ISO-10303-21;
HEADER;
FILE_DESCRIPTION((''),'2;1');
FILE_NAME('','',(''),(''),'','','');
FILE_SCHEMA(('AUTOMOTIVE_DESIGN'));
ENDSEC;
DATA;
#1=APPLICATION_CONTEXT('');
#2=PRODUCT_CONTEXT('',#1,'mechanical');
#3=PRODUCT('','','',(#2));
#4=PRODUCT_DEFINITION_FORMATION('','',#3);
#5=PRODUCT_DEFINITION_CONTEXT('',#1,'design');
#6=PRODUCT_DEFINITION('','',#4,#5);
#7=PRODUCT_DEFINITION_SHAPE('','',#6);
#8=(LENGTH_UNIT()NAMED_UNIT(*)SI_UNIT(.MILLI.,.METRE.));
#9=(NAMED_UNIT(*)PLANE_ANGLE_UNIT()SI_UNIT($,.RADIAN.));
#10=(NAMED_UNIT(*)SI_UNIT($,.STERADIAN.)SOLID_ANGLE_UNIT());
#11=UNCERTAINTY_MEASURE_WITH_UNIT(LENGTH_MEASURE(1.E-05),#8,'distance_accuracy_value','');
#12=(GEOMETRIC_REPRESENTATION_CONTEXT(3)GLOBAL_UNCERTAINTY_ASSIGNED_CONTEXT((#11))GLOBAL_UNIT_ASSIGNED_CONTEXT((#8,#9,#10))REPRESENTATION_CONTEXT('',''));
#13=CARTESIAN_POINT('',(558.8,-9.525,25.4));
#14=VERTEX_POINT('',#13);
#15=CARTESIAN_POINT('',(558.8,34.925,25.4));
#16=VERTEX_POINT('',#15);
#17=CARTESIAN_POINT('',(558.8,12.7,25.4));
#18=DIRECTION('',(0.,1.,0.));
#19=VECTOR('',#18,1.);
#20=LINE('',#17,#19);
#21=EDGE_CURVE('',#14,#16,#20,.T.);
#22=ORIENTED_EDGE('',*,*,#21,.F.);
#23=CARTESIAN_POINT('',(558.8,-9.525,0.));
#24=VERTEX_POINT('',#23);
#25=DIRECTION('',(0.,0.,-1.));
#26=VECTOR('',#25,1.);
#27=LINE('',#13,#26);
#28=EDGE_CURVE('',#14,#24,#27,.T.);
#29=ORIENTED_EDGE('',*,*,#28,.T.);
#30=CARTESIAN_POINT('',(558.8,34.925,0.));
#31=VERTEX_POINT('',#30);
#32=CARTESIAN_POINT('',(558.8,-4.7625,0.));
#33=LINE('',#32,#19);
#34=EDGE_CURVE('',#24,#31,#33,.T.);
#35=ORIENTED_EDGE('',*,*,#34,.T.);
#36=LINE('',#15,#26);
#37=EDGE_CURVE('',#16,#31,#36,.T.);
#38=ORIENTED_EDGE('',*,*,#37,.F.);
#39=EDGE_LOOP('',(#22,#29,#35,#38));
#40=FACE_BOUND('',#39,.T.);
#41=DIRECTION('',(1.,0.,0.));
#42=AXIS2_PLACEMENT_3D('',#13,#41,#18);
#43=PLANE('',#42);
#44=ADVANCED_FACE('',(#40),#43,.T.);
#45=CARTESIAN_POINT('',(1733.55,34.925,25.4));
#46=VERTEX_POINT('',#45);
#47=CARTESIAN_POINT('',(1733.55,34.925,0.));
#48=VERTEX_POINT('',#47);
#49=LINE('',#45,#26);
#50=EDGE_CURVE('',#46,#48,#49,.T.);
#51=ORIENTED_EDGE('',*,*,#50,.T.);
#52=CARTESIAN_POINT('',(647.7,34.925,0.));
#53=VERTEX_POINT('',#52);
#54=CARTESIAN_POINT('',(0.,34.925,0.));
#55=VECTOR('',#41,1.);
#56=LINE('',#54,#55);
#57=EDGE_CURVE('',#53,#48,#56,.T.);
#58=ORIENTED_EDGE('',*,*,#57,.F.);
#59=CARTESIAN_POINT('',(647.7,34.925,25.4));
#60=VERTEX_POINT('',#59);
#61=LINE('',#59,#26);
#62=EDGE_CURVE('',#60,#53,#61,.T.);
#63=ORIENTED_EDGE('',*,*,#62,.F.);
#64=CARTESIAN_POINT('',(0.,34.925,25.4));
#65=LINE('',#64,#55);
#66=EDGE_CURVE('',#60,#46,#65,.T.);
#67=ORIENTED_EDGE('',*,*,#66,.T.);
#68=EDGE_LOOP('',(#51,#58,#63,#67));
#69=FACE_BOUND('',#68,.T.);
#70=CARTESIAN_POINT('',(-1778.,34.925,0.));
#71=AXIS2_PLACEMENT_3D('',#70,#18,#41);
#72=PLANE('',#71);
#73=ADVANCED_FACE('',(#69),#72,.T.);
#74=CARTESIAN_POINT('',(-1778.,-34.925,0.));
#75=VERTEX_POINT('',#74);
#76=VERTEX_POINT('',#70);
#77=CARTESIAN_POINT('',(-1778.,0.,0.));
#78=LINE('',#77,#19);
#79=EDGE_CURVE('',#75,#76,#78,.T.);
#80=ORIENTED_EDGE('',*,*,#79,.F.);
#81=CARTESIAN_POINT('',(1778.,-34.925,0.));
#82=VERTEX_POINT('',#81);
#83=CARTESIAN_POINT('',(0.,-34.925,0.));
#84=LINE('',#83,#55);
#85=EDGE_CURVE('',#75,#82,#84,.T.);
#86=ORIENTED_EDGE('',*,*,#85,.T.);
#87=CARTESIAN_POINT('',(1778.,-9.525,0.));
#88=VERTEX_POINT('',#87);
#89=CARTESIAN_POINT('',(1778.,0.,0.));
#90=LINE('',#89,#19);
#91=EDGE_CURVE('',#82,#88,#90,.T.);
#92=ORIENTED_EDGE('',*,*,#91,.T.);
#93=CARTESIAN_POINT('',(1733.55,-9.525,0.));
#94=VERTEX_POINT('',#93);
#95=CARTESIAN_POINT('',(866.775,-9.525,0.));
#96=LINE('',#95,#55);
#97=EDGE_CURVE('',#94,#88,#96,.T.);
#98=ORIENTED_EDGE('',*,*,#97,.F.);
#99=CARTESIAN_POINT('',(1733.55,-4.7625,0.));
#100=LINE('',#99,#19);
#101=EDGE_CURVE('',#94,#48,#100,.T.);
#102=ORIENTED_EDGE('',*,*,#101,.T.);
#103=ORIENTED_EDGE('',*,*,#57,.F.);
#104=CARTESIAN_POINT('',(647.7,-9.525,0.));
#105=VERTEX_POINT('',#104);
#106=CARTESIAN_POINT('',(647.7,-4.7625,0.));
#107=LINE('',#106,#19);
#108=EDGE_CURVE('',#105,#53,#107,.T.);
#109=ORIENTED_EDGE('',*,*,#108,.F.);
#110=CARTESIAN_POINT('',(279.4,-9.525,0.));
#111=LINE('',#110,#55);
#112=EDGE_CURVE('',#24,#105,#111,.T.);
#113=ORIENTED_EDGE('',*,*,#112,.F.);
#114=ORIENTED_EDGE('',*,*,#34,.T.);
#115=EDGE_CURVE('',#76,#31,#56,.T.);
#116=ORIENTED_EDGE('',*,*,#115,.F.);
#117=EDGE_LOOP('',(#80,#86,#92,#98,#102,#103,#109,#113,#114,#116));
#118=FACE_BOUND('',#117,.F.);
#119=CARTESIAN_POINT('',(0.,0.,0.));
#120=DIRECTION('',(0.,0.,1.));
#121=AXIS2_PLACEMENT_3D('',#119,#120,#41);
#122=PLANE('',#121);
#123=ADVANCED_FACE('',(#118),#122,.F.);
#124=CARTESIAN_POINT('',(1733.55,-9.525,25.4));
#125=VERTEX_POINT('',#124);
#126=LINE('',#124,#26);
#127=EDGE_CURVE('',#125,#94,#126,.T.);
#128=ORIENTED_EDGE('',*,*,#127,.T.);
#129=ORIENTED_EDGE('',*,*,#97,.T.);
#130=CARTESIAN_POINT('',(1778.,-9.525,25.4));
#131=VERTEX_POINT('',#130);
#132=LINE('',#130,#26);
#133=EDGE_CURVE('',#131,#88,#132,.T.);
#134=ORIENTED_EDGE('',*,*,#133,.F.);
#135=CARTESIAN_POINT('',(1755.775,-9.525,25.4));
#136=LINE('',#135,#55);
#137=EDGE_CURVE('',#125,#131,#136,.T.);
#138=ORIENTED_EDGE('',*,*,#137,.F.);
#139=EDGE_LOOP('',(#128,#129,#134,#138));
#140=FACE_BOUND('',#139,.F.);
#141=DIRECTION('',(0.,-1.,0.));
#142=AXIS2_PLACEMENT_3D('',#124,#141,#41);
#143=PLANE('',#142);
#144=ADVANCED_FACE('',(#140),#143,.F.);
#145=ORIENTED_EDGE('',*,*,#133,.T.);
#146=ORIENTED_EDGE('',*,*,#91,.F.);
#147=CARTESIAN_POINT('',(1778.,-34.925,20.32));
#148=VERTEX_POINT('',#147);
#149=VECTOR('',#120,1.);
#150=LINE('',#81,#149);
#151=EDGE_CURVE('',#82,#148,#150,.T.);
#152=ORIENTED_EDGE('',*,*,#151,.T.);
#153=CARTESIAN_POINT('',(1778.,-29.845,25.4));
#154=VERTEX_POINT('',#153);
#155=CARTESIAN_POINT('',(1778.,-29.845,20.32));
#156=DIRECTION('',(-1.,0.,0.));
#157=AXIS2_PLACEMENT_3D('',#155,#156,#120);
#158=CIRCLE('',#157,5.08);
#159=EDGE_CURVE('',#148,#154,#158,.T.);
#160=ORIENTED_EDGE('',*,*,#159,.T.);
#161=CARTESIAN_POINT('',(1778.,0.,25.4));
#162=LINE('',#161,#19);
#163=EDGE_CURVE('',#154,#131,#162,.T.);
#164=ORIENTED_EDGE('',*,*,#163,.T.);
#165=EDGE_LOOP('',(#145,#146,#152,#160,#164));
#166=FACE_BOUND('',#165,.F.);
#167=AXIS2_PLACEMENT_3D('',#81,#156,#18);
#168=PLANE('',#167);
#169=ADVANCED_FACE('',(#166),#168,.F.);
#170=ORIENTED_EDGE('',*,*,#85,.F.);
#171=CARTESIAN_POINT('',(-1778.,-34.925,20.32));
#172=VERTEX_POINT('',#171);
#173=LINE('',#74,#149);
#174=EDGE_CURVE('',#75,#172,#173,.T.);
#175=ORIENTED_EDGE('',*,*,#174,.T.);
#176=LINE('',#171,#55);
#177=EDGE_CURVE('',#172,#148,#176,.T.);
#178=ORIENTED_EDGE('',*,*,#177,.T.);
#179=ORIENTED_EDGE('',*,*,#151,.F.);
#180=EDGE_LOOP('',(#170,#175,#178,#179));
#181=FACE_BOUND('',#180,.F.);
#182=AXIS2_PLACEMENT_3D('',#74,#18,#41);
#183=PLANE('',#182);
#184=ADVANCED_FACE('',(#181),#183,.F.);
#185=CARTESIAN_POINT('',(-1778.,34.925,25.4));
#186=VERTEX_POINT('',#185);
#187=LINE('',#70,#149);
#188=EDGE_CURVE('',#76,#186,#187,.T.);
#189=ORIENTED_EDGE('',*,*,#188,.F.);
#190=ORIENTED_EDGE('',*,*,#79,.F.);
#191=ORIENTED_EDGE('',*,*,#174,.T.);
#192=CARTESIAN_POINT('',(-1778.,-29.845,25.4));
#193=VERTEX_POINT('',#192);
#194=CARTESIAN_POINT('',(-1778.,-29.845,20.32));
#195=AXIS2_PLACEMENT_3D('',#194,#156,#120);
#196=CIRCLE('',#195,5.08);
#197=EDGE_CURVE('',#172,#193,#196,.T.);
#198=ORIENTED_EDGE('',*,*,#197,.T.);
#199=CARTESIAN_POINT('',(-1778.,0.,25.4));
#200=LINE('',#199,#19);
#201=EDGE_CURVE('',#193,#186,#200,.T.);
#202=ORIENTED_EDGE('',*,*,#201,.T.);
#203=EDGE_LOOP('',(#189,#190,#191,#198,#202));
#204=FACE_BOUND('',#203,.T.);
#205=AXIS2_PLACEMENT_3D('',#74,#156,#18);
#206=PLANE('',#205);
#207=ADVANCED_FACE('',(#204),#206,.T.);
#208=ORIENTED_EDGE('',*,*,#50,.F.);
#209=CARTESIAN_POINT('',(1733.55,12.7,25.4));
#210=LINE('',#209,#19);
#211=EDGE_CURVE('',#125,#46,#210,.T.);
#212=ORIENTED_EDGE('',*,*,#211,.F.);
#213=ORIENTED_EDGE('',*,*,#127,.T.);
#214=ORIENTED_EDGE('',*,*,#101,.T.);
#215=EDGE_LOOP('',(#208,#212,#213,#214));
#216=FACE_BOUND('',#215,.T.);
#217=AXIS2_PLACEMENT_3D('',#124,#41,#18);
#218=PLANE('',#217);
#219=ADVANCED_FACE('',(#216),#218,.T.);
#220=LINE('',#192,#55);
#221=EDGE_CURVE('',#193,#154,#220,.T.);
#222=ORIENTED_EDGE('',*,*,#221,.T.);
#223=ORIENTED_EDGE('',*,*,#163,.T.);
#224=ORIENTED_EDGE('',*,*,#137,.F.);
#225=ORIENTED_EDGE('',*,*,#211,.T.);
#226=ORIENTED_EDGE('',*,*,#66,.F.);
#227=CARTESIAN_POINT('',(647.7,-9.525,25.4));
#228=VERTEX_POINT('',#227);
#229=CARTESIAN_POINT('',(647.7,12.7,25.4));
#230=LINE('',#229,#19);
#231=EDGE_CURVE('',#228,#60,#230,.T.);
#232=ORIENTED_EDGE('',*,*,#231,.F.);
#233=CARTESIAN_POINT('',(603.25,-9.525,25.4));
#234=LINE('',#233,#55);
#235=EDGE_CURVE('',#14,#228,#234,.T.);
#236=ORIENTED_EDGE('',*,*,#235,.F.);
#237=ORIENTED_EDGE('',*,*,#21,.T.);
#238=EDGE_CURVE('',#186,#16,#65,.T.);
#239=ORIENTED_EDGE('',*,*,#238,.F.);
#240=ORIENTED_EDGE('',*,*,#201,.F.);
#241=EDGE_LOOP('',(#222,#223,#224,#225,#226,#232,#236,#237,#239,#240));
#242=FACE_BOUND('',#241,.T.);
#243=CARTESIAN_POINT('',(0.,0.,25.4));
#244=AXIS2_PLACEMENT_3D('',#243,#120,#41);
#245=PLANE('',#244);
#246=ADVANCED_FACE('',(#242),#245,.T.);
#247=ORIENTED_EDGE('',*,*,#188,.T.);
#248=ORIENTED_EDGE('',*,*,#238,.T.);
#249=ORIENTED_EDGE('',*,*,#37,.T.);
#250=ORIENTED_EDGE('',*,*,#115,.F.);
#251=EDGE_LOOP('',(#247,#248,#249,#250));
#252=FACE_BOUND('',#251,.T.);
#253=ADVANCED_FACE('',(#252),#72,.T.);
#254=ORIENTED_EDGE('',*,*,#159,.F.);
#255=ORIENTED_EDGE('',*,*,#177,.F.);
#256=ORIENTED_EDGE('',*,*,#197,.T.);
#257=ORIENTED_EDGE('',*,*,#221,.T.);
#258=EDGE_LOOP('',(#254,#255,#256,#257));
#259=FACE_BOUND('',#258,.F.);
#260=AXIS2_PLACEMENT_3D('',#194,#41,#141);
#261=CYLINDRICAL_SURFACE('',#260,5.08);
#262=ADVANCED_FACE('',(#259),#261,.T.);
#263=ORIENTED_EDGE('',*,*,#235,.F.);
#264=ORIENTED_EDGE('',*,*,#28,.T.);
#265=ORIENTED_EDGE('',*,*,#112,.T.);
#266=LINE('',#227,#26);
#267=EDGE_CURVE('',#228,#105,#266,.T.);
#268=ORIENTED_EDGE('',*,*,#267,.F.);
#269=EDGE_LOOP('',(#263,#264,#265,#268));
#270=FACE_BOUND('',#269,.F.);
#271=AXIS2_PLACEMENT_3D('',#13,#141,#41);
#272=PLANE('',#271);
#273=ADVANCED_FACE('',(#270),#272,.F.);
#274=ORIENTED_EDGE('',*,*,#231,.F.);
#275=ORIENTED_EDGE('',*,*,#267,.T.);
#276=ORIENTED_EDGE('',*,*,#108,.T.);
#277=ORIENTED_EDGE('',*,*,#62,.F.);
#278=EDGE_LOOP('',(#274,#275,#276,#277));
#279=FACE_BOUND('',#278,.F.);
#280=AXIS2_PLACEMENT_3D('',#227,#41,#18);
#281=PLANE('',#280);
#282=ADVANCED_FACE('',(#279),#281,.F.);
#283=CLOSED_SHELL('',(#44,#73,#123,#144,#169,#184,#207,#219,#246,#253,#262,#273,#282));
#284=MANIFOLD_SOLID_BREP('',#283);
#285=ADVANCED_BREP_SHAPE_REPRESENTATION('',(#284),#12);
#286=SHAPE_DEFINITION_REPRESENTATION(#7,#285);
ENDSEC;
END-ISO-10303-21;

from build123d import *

# Parameters (mm, degrees)
F0_W     = 3556
F0_H     = 69.85
F1_DEPTH = 25.4
F2_W     = 44.45
F2_H     = 44.45
F3_DEPTH = 25.401
F4_W     = 88.9
F4_H     = 44.45
F5_DEPTH = 25.401
F6_R     = 5.08


with BuildPart() as f1:
    # F0 (on Top) → F1 (new body)
    with BuildSketch(Plane.XY):
        Rectangle(F0_W, F0_H)
    extrude(amount=F1_DEPTH)

    # F2 (on face) → F3 (cut, through all)
    with BuildSketch(Plane.XY.offset(25.4)):
        with Locations((1755.775, 12.7)):
            Rectangle(F2_W, F2_H)
    extrude(amount=-F3_DEPTH, mode=Mode.SUBTRACT)

    # F4 (on face) → F5 (cut, through all)
    with BuildSketch(Plane.XY.offset(25.4)):
        with Locations((603.25, 12.7)):
            Rectangle(F4_W, F4_H)
    extrude(amount=-F5_DEPTH, mode=Mode.SUBTRACT)

    # F6
    f6_edges = [f1.edges().sort_by_distance(p)[0] for p in [
        (0, -34.925, 25.4),
    ]]
    fillet(f6_edges, radius=F6_R)


solid = f1.part
